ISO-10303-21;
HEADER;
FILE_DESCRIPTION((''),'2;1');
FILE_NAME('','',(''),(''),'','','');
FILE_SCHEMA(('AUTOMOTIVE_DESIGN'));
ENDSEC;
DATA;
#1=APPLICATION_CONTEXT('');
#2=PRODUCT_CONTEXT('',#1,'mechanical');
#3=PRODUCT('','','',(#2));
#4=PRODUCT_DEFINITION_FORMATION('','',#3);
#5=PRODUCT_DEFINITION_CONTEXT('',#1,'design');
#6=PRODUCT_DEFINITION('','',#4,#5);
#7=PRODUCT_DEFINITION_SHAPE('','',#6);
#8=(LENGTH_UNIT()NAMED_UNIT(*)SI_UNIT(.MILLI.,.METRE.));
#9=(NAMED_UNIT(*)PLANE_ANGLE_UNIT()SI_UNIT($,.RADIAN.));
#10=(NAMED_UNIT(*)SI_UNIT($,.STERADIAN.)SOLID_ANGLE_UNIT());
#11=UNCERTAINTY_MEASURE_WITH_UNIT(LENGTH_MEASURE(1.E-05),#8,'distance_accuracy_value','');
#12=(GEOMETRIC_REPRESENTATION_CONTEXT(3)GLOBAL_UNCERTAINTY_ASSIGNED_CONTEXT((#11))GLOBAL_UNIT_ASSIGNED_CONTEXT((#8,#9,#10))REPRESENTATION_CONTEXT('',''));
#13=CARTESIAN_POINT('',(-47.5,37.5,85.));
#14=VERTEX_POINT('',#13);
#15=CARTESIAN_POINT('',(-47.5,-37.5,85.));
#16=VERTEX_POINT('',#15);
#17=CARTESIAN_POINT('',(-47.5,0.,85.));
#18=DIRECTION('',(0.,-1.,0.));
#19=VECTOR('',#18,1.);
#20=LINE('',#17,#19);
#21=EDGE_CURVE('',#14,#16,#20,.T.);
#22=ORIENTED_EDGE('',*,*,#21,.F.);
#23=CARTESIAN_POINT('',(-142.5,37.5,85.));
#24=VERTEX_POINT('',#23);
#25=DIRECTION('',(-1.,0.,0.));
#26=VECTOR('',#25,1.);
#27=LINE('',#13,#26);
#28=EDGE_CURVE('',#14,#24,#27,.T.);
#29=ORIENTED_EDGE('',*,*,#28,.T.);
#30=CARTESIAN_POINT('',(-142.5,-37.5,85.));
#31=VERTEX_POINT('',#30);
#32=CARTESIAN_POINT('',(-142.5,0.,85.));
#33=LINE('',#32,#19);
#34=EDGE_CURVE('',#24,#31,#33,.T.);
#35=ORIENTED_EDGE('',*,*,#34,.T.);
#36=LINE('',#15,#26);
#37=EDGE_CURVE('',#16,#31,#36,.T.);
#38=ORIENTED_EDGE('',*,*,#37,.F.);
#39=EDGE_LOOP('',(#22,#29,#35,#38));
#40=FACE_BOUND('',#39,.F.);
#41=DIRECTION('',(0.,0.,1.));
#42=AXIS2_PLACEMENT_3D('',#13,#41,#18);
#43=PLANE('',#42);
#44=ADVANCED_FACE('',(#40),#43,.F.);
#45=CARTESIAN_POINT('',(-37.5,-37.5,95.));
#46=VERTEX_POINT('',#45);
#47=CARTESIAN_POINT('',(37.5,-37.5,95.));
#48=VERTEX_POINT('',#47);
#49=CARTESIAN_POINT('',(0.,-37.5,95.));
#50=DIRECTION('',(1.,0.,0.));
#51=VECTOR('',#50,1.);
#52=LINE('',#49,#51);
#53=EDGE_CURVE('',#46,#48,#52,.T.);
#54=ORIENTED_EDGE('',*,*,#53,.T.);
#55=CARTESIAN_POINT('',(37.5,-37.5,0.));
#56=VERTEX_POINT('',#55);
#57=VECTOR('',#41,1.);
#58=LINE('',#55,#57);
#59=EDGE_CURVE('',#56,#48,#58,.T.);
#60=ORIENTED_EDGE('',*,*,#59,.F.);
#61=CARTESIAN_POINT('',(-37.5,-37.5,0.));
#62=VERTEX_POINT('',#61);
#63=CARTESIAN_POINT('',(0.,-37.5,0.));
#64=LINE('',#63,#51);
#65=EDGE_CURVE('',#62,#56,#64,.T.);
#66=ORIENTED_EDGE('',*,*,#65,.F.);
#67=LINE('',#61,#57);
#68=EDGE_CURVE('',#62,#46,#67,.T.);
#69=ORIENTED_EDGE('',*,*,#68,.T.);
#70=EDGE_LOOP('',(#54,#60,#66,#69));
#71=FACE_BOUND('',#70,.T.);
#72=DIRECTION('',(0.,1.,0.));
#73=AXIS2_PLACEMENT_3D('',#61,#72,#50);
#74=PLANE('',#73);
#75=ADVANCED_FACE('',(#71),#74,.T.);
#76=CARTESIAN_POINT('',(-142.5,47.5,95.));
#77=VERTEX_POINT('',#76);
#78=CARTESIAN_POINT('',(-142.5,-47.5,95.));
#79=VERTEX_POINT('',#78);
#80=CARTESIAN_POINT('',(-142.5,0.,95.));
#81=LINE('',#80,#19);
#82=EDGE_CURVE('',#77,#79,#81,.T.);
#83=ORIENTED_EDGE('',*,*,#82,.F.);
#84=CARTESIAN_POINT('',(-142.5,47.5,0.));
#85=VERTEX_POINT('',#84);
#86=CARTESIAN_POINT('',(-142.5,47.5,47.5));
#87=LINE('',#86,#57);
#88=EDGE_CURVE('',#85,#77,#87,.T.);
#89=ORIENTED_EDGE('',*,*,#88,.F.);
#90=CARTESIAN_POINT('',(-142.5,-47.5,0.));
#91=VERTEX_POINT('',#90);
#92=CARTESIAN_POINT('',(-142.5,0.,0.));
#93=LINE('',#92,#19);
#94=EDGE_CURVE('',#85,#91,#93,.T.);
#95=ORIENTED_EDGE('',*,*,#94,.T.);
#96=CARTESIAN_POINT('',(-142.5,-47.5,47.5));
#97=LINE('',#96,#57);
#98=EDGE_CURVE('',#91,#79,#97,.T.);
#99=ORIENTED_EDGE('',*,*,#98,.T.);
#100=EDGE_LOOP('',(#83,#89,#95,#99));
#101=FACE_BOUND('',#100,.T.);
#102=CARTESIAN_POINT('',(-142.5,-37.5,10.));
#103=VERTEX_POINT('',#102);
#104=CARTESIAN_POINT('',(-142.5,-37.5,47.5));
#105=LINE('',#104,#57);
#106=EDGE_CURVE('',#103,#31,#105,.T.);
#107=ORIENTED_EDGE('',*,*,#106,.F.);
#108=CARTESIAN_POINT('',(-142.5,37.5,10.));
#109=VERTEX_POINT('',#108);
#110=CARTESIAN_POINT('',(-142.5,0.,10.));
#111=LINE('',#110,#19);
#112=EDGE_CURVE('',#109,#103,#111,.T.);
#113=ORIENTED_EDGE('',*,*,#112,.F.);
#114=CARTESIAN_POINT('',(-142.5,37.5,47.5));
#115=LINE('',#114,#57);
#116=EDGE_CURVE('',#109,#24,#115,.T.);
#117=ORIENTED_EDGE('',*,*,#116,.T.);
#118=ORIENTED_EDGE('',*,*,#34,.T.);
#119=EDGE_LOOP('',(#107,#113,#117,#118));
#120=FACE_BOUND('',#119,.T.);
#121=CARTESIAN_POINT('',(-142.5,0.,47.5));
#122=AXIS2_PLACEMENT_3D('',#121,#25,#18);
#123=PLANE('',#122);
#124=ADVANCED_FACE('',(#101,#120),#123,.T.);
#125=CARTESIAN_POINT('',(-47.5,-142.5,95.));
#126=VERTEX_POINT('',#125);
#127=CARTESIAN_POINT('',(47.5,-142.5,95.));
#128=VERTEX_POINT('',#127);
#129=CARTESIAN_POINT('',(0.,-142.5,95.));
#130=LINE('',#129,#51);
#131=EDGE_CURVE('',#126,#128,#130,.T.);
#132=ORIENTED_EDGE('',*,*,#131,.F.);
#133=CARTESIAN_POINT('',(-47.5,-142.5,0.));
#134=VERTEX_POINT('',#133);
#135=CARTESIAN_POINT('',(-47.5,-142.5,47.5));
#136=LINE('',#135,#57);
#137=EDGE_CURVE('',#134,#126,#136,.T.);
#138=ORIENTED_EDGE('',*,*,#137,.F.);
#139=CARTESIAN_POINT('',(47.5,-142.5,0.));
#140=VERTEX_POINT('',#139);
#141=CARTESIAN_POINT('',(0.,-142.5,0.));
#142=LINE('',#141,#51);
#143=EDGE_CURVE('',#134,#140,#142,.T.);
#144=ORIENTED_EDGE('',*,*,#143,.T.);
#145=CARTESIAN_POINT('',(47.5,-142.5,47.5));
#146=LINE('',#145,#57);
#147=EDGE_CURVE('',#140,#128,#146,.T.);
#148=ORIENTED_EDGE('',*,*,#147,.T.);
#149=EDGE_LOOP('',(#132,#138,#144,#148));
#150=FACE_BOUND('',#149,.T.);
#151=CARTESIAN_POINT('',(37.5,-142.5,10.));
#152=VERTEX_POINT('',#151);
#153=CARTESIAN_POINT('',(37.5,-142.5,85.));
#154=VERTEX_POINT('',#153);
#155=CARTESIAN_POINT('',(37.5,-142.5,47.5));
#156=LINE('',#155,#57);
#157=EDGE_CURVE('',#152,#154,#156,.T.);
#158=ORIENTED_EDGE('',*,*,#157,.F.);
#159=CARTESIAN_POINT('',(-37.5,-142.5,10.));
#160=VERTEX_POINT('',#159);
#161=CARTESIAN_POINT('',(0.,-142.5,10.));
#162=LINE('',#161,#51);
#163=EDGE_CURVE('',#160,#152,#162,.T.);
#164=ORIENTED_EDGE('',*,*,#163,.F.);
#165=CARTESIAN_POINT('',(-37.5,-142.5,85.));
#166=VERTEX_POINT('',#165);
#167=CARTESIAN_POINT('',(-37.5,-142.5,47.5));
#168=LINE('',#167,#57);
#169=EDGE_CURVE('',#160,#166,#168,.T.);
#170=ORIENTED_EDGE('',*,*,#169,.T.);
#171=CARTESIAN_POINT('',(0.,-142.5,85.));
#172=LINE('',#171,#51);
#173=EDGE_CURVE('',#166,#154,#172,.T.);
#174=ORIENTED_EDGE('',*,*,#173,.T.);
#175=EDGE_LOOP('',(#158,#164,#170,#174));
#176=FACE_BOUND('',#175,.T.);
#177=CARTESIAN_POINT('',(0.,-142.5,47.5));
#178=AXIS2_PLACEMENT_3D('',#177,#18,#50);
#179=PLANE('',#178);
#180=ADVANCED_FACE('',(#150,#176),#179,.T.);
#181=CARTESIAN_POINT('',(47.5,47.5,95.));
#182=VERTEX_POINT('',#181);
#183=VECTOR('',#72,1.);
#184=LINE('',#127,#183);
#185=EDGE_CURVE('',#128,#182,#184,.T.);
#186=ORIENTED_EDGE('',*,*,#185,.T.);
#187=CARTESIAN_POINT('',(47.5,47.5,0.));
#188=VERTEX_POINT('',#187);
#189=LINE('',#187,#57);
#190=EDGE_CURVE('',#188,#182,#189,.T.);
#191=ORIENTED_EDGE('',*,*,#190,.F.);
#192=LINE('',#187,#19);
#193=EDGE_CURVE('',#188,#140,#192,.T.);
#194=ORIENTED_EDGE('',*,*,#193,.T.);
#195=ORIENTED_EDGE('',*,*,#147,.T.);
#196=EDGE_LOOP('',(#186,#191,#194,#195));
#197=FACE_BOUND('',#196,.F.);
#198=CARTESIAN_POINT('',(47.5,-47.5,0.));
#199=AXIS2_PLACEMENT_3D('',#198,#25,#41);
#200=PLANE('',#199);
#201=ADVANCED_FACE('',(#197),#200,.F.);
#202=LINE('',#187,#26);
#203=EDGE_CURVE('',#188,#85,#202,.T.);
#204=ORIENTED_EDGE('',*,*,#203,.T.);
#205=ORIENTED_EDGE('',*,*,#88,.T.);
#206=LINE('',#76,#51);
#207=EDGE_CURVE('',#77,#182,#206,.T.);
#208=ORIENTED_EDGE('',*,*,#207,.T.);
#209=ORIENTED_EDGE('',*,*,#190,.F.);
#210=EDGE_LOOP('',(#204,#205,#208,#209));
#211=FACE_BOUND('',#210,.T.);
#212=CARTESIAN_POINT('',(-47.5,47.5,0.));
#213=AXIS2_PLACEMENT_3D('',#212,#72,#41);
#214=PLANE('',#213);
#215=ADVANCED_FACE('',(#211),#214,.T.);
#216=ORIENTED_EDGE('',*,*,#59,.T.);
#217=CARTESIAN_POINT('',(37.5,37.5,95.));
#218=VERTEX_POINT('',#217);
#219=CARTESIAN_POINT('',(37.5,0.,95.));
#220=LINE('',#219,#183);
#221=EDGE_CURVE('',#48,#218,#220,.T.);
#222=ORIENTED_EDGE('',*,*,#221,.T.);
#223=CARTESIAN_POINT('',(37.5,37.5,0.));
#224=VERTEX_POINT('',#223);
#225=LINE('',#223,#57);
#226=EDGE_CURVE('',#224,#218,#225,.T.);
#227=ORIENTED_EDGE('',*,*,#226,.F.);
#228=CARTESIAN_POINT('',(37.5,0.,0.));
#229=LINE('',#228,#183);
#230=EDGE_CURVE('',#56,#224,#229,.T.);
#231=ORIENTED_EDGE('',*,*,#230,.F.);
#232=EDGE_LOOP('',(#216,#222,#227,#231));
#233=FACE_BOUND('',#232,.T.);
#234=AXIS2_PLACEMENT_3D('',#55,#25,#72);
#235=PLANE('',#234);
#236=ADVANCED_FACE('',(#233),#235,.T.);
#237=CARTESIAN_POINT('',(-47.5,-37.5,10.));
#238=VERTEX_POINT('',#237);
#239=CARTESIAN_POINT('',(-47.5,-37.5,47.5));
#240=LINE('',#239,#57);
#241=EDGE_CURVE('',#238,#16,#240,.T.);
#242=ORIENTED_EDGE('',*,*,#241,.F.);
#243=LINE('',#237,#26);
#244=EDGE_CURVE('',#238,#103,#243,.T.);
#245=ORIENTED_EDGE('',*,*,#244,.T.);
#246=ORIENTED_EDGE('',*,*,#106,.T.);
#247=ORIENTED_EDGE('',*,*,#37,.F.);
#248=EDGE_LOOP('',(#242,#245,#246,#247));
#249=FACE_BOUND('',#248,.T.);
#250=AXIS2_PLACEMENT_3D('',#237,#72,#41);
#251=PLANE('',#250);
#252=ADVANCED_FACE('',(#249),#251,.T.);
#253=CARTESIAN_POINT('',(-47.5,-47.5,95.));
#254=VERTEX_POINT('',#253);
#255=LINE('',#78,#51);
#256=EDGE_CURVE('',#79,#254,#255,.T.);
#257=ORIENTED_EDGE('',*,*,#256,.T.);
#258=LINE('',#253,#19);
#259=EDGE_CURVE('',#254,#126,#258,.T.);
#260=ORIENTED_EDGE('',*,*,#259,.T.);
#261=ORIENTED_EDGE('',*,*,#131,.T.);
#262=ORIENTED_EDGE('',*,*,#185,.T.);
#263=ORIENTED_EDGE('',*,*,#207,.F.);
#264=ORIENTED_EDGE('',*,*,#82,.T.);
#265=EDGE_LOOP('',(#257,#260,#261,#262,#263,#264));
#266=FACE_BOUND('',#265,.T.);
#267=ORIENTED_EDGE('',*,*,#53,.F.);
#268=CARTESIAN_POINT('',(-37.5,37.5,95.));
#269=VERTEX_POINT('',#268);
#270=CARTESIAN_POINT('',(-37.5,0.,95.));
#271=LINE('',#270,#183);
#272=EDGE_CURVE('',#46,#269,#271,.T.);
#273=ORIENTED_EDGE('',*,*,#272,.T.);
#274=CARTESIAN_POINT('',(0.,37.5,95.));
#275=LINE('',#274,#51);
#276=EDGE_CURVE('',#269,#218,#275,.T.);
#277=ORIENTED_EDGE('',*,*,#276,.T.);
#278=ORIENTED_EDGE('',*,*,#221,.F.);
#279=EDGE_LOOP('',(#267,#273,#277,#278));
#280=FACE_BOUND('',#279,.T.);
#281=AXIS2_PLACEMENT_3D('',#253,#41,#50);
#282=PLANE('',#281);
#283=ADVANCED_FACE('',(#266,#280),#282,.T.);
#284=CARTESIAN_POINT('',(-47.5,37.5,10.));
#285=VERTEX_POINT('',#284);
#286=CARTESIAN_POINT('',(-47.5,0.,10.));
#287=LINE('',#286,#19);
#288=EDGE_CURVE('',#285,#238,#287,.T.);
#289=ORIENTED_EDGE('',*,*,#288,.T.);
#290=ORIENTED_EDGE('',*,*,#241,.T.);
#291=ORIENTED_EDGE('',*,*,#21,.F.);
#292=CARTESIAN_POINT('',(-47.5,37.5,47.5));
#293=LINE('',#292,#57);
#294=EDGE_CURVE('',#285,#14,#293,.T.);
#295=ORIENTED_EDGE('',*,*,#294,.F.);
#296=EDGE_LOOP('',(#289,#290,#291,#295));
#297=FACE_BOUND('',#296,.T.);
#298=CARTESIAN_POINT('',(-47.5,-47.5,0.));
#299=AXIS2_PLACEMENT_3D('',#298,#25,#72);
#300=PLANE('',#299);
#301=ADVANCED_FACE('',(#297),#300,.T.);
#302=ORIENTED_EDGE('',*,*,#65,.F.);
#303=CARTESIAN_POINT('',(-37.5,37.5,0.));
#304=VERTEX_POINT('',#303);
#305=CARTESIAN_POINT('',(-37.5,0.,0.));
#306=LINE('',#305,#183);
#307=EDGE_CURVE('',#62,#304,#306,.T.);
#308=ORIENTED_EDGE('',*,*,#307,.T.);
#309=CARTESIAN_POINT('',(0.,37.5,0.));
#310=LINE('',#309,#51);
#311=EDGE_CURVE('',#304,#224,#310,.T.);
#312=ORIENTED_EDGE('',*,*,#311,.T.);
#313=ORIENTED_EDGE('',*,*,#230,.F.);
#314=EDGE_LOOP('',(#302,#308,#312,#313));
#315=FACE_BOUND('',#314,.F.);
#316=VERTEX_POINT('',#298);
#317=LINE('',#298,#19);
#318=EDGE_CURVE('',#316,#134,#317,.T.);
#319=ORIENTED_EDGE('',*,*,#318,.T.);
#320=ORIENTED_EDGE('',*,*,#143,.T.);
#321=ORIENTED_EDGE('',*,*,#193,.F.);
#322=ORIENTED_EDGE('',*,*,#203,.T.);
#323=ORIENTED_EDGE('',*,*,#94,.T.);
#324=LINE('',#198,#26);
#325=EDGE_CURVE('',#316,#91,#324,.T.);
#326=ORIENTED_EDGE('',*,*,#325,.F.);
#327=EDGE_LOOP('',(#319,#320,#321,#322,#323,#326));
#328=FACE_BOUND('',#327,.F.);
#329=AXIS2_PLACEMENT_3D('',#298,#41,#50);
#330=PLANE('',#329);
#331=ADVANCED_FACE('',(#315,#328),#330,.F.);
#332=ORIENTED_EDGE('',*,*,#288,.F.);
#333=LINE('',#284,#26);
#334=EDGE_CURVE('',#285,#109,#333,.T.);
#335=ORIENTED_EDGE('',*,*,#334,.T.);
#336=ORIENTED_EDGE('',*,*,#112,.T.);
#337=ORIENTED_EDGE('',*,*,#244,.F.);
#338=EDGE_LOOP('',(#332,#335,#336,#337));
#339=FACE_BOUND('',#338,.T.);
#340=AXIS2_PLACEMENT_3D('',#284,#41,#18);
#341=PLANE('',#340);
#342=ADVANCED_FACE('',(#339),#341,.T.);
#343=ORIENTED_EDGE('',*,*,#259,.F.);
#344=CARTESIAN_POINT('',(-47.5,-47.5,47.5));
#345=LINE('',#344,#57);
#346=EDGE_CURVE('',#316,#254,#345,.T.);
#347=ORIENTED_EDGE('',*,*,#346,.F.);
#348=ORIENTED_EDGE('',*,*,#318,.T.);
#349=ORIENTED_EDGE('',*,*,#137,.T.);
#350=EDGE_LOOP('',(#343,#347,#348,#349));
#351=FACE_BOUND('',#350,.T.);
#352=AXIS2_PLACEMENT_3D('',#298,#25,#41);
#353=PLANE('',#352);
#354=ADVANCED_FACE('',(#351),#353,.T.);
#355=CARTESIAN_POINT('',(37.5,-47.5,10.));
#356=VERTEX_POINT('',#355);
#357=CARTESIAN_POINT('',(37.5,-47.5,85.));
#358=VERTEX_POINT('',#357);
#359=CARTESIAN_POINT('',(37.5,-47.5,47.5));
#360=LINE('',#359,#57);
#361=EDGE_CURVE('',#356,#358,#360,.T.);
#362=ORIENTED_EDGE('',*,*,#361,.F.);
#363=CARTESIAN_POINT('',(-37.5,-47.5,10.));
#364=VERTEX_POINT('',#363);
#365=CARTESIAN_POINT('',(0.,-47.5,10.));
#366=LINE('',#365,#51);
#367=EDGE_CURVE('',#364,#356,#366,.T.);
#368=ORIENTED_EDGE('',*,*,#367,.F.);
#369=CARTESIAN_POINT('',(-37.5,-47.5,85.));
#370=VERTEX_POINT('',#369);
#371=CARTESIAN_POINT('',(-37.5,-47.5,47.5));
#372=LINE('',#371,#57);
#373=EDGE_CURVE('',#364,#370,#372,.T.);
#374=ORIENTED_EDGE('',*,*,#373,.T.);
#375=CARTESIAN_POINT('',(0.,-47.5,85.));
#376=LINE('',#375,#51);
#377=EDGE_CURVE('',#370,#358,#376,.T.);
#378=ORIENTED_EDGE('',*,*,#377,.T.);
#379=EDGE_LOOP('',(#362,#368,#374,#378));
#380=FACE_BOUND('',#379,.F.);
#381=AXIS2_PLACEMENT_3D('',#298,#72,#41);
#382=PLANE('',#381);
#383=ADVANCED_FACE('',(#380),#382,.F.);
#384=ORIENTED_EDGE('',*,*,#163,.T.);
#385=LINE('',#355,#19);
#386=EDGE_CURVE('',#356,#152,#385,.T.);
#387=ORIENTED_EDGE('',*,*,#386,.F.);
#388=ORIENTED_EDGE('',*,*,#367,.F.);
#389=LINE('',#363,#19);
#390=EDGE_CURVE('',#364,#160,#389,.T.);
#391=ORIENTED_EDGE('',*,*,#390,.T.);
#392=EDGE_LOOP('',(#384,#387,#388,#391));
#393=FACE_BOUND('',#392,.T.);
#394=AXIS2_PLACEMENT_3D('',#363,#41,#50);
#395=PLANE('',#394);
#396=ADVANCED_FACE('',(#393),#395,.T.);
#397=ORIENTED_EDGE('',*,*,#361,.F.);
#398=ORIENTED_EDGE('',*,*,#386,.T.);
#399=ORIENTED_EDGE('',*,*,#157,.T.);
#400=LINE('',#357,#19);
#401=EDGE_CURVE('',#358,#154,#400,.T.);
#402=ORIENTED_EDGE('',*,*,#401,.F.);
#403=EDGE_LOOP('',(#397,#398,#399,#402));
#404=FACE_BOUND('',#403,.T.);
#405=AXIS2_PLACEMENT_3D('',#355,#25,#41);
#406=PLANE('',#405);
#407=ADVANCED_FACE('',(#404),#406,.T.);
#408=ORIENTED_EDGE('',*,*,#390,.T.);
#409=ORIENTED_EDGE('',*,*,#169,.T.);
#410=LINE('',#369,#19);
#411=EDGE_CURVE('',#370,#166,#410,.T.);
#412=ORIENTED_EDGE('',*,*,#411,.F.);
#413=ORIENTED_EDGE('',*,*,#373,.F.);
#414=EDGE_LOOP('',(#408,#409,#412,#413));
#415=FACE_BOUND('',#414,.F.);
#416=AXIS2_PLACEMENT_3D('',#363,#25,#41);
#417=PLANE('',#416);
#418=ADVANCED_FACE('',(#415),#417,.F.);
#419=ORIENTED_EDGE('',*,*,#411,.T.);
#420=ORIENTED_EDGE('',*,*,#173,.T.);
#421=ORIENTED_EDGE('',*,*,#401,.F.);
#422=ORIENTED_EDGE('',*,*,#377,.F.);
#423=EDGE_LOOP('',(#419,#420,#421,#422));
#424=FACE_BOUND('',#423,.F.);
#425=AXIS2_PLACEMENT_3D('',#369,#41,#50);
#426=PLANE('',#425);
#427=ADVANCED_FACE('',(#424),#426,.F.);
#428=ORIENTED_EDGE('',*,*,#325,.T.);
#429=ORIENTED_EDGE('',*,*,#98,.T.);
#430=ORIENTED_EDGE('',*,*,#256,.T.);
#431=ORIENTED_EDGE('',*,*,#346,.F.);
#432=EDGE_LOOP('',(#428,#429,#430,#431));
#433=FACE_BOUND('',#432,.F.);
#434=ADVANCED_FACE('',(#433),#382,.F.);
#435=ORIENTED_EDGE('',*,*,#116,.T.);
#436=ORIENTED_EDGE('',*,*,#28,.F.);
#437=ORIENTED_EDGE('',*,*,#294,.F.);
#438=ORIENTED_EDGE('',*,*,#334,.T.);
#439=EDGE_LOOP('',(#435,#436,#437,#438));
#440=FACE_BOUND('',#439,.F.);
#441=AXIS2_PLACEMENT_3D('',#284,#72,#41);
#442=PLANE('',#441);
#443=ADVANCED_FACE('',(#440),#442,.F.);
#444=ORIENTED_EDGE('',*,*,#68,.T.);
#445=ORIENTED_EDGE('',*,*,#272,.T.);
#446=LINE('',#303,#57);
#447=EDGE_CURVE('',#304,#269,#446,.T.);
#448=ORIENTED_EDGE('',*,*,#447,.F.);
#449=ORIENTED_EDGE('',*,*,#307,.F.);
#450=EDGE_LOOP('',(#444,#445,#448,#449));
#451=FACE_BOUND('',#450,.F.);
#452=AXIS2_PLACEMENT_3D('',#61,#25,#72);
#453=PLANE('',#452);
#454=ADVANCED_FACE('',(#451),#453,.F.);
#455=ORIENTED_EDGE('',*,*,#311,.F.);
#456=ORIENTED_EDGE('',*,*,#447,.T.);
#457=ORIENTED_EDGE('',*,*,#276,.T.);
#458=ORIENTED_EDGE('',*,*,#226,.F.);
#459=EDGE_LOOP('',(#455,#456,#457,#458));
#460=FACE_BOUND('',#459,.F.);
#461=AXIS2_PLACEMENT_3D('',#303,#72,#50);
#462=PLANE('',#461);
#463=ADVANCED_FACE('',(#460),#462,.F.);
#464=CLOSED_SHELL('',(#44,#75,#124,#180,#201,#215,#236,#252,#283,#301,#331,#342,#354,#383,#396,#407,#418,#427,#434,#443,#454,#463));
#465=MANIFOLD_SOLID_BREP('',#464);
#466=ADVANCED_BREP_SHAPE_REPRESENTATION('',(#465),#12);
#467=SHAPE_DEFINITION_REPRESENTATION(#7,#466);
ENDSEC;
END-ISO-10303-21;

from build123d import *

# Parameters (mm, degrees)
F0_W     = 95
F0_H     = 95
F0_W_2   = 75
F0_H_2   = 75
F1_DEPTH = 95
F2_W     = 95
F2_H     = 95
F2_W_2   = 75
F2_H_2   = 75
F3_DEPTH = 95
F4_W     = 95
F4_H     = 95
F4_W_2   = 75
F4_H_2   = 75
F5_DEPTH = 95


with BuildPart() as f1:
    # F0 (on Top) → F1 (new body)
    with BuildSketch(Plane.XY):
        Rectangle(F0_W, F0_H)
        Rectangle(F0_W_2, F0_H_2, mode=Mode.SUBTRACT)
    extrude(amount=F1_DEPTH)

    # F2 (on face) → F3 (join)
    with BuildSketch(Plane(origin=(-47.5, 0, 0), x_dir=(0, -1, 0), z_dir=(-1, 0, 0))):
        with Locations((0, 47.5)):
            Rectangle(F2_W, F2_H)
        with Locations((0, 47.5)):
            Rectangle(F2_W_2, F2_H_2, mode=Mode.SUBTRACT)
    extrude(amount=F3_DEPTH)

    # F4 (on face) → F5 (join)
    with BuildSketch(Plane.XZ.offset(47.5)):
        with Locations((0, 47.5)):
            Rectangle(F4_W, F4_H)
        with Locations((0, 47.5)):
            Rectangle(F4_W_2, F4_H_2, mode=Mode.SUBTRACT)
    extrude(amount=F5_DEPTH)


solid = f1.part
